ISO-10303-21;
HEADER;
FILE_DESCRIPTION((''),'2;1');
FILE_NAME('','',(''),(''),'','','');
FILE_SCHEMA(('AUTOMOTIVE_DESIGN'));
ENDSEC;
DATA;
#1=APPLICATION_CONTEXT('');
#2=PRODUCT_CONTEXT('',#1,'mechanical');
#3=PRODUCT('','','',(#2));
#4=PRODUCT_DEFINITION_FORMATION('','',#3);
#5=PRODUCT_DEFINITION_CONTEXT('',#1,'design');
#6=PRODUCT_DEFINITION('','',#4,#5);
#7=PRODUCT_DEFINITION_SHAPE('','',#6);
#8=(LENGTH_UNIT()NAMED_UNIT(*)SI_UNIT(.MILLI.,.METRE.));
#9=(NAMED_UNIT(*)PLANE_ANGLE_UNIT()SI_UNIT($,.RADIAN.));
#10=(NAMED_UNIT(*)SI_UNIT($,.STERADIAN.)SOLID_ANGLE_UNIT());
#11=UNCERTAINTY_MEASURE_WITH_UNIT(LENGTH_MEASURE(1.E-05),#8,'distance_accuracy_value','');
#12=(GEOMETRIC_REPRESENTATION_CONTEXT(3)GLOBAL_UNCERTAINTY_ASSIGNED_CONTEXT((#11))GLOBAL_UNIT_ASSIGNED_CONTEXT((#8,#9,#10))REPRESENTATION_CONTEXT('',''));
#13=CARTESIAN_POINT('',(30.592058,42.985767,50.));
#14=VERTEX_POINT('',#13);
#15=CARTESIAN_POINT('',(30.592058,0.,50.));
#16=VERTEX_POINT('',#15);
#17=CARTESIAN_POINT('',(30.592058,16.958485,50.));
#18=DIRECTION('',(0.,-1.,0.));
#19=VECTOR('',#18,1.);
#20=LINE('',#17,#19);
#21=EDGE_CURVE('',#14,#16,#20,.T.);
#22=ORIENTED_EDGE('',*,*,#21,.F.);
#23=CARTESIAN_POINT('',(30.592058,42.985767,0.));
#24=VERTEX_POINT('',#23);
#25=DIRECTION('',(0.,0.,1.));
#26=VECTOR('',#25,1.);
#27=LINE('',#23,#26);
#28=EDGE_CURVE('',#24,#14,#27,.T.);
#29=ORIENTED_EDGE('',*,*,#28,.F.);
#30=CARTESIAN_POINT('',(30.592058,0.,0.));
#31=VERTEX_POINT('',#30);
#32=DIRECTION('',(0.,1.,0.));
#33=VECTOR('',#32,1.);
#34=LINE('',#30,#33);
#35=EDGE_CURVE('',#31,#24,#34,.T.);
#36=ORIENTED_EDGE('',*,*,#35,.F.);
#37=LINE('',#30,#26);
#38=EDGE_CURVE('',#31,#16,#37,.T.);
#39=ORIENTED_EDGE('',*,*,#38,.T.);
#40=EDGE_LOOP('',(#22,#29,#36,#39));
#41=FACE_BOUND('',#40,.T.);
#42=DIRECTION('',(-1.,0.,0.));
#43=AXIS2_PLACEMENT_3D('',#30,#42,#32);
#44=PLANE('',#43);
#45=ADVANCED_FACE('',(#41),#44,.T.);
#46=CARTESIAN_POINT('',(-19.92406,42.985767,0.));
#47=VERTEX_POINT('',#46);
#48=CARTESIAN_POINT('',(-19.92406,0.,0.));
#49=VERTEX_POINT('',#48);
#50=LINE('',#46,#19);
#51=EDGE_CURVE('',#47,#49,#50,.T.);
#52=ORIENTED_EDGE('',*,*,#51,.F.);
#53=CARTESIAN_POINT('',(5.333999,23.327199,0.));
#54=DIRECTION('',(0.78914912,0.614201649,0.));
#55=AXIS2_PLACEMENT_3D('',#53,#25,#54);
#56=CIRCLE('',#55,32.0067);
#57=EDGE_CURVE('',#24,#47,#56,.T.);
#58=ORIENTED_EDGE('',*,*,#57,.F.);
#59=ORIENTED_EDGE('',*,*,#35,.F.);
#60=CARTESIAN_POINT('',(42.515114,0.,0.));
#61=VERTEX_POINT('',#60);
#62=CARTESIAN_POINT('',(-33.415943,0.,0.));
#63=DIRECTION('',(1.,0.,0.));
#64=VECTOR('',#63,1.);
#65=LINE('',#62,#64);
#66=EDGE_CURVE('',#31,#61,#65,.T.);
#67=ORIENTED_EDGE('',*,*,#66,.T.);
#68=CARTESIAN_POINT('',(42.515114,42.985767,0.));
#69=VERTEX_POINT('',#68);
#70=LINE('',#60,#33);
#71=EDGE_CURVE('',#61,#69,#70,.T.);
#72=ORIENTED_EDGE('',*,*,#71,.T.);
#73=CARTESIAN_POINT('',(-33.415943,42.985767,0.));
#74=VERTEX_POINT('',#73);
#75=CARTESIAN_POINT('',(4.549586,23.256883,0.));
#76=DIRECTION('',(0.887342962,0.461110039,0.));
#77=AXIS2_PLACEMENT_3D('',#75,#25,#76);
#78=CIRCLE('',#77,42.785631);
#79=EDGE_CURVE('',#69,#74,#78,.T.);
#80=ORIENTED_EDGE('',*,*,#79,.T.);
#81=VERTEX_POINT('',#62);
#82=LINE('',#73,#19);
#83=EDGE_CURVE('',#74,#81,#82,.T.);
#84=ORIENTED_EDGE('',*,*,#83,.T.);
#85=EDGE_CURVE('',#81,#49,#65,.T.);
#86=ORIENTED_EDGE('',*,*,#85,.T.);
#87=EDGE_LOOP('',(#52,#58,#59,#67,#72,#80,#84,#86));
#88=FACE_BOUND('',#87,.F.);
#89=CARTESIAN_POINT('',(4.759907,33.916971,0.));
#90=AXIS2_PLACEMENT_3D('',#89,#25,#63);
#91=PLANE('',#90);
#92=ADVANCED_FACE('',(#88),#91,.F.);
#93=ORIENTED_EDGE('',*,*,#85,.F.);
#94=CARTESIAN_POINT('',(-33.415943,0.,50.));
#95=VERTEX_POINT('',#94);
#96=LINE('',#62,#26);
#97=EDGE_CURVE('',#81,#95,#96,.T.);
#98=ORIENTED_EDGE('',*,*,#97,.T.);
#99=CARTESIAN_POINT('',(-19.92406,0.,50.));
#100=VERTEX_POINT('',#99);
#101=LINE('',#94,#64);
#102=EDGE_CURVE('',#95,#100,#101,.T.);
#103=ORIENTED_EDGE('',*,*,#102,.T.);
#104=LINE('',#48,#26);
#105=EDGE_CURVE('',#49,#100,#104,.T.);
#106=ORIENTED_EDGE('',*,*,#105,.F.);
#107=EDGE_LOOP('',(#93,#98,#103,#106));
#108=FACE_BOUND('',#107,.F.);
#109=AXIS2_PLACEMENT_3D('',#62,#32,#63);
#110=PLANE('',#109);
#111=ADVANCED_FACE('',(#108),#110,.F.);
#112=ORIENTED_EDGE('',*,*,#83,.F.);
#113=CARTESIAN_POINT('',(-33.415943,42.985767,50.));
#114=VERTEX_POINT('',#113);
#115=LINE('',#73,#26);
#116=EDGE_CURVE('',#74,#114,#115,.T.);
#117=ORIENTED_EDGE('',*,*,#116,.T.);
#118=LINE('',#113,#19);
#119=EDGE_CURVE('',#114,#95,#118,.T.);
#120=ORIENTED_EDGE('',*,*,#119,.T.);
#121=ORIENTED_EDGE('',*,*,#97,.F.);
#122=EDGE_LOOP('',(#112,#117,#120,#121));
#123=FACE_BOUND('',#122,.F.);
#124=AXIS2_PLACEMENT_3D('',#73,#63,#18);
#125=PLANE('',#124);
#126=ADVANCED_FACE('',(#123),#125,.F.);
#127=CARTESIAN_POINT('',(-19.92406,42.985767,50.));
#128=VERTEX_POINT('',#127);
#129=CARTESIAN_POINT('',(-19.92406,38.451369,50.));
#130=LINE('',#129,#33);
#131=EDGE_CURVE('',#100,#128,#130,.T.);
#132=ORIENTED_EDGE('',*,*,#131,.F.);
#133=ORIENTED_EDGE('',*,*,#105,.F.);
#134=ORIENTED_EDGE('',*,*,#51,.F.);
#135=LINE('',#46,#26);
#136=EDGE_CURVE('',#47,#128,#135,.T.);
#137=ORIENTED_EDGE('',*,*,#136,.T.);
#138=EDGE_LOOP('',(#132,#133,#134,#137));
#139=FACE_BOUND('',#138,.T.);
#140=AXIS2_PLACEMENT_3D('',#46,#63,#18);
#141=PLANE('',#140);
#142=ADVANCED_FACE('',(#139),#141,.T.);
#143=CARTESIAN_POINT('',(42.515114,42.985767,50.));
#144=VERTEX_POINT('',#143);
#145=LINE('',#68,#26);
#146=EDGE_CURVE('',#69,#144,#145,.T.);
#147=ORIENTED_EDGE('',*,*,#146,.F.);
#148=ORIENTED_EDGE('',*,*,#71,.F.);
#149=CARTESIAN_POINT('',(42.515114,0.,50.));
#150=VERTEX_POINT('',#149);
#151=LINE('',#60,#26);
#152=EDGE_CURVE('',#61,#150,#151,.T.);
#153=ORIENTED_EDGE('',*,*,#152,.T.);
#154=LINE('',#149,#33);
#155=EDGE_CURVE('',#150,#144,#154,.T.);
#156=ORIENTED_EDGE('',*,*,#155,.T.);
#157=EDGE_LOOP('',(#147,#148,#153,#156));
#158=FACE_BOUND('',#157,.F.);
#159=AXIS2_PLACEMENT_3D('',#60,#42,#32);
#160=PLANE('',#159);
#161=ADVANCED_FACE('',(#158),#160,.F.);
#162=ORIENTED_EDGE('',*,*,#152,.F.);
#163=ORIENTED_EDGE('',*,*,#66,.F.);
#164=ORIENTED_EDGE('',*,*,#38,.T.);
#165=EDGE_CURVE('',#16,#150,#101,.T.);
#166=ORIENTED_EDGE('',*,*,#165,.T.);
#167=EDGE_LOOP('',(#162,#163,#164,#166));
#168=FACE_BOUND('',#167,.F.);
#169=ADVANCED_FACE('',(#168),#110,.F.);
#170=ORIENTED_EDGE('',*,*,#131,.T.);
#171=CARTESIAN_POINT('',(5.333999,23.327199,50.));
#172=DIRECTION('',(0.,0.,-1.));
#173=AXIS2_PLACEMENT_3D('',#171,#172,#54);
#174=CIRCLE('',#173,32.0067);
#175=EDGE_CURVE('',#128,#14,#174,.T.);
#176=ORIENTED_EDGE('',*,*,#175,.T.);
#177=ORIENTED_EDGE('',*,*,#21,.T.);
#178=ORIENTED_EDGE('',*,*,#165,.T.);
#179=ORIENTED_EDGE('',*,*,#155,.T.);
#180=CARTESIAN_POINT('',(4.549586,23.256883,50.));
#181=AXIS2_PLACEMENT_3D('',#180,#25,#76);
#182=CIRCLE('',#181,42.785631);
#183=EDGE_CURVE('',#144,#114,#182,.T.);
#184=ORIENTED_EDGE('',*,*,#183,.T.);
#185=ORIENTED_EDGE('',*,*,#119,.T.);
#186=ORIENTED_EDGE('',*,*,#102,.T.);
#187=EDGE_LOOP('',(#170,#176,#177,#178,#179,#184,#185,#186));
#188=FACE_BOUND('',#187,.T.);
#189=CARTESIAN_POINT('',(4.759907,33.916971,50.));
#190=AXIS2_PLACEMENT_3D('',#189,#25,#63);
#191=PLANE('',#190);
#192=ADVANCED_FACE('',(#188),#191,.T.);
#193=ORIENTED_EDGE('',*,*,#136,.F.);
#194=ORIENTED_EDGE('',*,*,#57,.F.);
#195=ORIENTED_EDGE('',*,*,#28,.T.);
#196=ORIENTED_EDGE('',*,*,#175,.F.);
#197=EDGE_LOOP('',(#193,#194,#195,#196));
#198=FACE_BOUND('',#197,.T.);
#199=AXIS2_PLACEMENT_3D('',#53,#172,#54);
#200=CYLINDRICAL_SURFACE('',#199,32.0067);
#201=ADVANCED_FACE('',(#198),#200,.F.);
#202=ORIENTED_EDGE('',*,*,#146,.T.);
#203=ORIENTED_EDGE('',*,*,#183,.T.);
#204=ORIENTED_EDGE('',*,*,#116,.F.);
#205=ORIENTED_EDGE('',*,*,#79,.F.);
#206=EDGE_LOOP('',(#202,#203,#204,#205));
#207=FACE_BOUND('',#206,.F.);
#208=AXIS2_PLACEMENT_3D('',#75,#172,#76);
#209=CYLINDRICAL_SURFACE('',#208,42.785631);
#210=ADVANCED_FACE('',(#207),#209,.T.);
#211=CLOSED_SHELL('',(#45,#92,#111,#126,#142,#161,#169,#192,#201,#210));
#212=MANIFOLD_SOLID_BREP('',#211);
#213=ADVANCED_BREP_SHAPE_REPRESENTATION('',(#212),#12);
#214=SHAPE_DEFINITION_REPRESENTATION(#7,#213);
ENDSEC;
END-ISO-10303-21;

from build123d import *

# Parameters (mm, degrees)
F1_DEPTH = 50
F2_DEPTH = 50.001


with BuildPart() as f1:
    # F0 (on Top) → F1 (new body)
    with BuildSketch(Plane.XY):
        with BuildLine():
            Line((-33.415943, 42.985767), (-33.415943, 0))
            Line((-33.415943, 0), (-19.92406, 0))
            Line((-19.92406, 0), (-19.92406, 42.985767))
            ThreePointArc((-19.92406, 42.985767), (5.333999, 55.333899), (30.592058, 42.985767))
            Line((30.592058, 42.985767), (30.592058, 0))
            Line((30.592058, 0), (42.515114, 0))
            Line((42.515114, 0), (42.515114, 42.985767))
            ThreePointArc((42.515114, 42.985767), (4.549585, 66.042514), (-33.415943, 42.985767))
        make_face()
        with BuildLine():
            Line((-19.92406, 42.985767), (-19.92406, 0))
            Line((-19.92406, 0), (30.592058, 0))
            Line((30.592058, 0), (30.592058, 42.985767))
            ThreePointArc((30.592058, 42.985767), (5.333999, 55.333899), (-19.92406, 42.985767))
        make_face()
    extrude(amount=F1_DEPTH)

    # F0 (on Top) → F2 (cut, through all)
    with BuildSketch(Plane.XY):
        with BuildLine():
            Line((-19.92406, 42.985767), (-19.92406, 0))
            Line((-19.92406, 0), (30.592058, 0))
            Line((30.592058, 0), (30.592058, 42.985767))
            ThreePointArc((30.592058, 42.985767), (5.333999, 55.333899), (-19.92406, 42.985767))
        make_face()
    extrude(amount=F2_DEPTH, mode=Mode.SUBTRACT)


solid = f1.part
